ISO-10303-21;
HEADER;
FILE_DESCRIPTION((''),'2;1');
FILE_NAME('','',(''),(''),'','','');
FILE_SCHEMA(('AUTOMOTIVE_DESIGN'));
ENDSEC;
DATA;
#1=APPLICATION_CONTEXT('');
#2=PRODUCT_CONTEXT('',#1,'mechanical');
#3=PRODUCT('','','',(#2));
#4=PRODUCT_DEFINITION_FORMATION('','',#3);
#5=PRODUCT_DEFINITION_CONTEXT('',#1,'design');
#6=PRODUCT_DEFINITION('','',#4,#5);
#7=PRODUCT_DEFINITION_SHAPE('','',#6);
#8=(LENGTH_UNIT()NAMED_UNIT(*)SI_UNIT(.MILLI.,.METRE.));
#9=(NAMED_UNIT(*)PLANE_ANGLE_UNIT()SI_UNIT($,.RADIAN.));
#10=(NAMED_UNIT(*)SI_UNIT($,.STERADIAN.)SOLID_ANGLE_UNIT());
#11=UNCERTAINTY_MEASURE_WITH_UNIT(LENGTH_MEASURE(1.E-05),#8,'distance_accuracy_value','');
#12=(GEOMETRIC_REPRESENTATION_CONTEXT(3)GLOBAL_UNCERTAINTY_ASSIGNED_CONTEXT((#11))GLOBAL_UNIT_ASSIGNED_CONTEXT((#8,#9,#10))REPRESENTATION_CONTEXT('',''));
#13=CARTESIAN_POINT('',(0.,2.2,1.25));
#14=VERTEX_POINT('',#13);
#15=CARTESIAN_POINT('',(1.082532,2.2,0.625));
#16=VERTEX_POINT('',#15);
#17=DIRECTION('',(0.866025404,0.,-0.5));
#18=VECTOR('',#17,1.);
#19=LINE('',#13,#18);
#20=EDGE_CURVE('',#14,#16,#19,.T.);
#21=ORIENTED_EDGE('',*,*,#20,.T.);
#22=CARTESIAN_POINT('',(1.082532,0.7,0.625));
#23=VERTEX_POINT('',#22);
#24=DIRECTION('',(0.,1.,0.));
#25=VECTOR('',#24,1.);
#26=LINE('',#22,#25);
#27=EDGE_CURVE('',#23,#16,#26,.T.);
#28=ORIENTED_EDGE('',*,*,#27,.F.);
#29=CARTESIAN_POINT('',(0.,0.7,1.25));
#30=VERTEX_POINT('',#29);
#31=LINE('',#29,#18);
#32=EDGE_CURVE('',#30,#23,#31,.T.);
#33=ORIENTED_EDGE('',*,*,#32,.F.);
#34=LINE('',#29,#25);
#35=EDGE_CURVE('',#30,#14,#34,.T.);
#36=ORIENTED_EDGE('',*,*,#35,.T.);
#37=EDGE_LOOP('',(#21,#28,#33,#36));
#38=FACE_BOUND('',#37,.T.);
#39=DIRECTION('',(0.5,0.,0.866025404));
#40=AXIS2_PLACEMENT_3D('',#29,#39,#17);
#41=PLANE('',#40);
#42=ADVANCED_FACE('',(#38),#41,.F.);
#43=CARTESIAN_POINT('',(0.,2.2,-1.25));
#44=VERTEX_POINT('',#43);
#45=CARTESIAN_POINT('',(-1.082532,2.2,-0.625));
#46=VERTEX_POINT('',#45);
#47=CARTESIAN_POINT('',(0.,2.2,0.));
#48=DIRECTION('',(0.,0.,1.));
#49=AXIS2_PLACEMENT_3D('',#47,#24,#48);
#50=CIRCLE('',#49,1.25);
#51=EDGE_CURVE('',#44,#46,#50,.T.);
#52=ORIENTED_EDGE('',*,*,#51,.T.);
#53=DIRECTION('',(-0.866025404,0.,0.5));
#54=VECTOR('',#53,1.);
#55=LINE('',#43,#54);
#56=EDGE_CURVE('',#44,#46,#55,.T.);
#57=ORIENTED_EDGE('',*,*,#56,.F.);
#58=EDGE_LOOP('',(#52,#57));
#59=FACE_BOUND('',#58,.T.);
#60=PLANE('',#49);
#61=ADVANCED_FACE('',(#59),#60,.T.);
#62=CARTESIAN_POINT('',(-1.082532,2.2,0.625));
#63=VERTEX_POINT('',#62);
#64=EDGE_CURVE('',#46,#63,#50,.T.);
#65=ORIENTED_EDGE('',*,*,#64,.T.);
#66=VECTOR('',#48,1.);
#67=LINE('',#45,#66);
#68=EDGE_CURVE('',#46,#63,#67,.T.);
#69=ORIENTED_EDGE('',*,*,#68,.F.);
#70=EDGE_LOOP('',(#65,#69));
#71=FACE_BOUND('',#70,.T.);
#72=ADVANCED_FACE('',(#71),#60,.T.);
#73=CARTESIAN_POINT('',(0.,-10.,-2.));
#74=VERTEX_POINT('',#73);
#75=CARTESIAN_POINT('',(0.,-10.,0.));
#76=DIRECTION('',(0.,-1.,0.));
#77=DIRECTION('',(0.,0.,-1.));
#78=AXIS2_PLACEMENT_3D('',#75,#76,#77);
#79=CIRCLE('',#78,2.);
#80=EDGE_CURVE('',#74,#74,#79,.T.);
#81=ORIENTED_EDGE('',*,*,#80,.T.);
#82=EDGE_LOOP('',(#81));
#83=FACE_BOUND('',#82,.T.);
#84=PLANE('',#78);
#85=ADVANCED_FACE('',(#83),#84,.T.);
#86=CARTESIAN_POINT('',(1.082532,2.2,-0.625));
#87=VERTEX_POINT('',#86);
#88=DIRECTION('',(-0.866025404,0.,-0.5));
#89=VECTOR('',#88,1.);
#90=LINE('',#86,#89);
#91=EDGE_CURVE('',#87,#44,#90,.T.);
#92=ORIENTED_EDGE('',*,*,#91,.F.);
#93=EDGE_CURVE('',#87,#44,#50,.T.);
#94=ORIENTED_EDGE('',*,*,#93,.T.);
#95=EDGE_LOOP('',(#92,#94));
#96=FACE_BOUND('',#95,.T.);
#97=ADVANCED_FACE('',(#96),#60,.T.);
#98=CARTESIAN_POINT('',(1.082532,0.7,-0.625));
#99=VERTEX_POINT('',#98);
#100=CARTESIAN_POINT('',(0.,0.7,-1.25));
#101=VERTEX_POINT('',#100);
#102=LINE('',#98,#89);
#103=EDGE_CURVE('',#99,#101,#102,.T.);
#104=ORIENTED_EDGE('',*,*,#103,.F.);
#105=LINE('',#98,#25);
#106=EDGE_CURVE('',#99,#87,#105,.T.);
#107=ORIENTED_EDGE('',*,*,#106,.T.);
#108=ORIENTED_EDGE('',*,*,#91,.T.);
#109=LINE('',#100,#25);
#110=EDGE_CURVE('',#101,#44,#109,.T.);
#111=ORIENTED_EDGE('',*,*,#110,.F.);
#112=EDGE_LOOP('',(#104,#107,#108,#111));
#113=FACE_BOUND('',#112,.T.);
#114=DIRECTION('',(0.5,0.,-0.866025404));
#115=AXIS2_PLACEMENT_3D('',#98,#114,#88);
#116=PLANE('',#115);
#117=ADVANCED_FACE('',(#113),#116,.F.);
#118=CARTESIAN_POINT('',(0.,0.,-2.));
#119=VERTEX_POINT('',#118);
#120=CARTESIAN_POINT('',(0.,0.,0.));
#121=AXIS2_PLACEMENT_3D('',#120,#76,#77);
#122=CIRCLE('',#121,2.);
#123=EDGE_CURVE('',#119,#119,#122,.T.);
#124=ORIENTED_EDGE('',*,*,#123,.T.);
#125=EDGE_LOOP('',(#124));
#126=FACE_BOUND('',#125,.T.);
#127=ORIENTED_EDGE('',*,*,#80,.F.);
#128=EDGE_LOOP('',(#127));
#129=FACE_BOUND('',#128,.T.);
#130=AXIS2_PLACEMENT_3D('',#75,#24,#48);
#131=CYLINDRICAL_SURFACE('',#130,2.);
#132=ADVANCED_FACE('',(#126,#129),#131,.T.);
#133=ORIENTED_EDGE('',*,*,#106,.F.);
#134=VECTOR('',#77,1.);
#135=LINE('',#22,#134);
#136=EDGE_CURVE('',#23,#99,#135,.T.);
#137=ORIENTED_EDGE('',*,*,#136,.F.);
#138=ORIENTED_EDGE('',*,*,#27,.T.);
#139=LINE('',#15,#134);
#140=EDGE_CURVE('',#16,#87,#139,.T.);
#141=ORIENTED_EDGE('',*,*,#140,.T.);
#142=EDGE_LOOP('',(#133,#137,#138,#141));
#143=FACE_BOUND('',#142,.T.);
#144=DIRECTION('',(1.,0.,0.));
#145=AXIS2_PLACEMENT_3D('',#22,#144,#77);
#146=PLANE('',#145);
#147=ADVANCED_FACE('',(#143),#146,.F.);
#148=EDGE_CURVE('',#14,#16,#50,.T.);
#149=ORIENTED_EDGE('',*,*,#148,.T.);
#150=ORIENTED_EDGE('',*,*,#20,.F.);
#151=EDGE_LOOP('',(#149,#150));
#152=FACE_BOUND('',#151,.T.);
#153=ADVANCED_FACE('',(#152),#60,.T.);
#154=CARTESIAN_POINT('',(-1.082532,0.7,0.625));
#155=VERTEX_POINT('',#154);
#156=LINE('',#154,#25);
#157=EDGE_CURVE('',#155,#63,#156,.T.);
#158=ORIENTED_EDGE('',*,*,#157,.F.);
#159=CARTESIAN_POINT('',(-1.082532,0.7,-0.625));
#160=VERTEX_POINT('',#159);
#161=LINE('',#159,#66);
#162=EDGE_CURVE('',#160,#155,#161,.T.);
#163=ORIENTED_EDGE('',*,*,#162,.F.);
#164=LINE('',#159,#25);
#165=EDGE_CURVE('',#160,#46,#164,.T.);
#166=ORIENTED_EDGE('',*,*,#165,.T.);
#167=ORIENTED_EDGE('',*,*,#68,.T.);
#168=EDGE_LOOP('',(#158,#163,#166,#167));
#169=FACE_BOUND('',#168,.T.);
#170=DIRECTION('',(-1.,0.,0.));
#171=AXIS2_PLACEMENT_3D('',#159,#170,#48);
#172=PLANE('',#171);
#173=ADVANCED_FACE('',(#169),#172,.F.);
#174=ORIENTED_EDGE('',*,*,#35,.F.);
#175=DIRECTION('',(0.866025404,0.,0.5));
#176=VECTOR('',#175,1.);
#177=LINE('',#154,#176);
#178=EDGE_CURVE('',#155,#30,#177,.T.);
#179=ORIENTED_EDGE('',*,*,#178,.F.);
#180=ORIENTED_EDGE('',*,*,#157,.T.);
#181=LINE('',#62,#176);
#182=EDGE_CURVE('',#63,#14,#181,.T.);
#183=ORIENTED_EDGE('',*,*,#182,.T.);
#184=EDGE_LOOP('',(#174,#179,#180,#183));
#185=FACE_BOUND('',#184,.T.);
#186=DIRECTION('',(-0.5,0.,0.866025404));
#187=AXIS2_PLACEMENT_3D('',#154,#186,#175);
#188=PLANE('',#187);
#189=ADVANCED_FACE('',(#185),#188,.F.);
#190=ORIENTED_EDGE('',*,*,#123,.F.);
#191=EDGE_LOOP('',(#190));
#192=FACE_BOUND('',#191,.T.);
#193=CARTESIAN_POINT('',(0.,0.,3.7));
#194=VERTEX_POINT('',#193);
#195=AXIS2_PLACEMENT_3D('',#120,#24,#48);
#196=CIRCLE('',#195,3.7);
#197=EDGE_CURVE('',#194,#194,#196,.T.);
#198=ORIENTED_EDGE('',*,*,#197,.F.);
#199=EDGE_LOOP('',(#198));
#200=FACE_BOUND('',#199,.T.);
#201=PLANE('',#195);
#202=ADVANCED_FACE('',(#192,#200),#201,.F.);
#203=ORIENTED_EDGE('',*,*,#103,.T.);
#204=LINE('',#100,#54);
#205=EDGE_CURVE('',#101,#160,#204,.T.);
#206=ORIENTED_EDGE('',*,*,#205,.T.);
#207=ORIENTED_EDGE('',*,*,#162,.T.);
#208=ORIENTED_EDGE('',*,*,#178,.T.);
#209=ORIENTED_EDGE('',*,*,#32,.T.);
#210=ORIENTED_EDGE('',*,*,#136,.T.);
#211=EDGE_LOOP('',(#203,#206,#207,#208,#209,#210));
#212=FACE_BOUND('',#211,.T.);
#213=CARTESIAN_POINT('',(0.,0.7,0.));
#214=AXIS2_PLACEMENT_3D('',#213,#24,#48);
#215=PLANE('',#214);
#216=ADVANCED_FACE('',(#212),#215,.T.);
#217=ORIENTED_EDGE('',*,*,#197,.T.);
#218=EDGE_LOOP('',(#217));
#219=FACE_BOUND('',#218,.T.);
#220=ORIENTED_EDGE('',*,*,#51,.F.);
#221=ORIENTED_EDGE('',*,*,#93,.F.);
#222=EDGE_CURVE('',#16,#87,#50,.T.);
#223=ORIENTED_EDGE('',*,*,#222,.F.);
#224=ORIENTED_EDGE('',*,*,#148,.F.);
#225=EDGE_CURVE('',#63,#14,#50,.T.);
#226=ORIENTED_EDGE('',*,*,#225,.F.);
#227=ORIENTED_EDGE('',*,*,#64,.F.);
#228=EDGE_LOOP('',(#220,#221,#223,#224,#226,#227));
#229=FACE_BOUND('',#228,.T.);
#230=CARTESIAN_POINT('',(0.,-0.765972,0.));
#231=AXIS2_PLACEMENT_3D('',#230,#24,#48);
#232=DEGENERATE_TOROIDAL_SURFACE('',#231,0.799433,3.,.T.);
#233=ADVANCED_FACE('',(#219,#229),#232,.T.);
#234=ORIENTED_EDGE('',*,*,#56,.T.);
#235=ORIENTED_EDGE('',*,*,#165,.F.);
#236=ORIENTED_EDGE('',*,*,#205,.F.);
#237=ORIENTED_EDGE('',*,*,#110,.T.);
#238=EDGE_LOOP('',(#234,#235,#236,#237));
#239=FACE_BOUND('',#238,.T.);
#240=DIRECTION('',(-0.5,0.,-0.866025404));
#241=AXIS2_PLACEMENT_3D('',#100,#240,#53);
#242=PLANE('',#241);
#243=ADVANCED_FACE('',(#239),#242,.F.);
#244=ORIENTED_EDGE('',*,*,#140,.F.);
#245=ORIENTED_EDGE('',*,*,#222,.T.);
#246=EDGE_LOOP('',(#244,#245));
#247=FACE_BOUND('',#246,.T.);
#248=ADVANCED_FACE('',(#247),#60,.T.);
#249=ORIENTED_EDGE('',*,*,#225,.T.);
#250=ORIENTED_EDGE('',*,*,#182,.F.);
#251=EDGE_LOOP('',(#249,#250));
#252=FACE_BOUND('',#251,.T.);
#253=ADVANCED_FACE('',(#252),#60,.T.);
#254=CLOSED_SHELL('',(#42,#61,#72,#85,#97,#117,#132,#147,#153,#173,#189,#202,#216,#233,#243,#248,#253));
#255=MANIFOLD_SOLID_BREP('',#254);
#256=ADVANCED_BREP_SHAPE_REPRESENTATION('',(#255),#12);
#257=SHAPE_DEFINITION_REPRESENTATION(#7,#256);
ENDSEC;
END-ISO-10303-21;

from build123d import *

# Parameters (mm, degrees)
SKETCH2_R           = 2
BOSS_EXTRUDE1_DEPTH = 10
CUT_EXTRUDE1_DEPTH  = 1.5


with BuildPart() as part:
    # Sketch1 → Revolve1 (revolve)
    with BuildSketch(Plane(origin=(0, 0, 0), x_dir=(0, 0, -1), z_dir=(1, 0, 0))):
        with BuildLine():
            Line((0, 0), (0, 2.2))
            Line((0, 2.2), (-1.25, 2.2))
            ThreePointArc((-1.25, 2.2), (-2.80380946, 1.466174172), (-3.7, 0))
            Line((-3.7, 0), (0, 0))
        make_face()
    revolve(axis=Axis((0, 4.725289413, 0), (0, -1, 0)))

    # Sketch2 → Boss-Extrude1 (add)
    with BuildSketch(Plane.XZ):
        Circle(SKETCH2_R)
    extrude(amount=BOSS_EXTRUDE1_DEPTH)

    # Sketch3 → Cut-Extrude1 (cut)
    with BuildSketch(Plane(origin=(0, 2.2, 0), x_dir=(1, 0, 0), z_dir=(0, 1, 0))):
        Polygon((0, 1.25), (-1.082531755, 0.625), (-1.082531755, -0.625), (0, -1.25), (1.082531755, -0.625), (1.082531755, 0.625), align=None)
    extrude(amount=-CUT_EXTRUDE1_DEPTH, mode=Mode.SUBTRACT)


solid = part.part
